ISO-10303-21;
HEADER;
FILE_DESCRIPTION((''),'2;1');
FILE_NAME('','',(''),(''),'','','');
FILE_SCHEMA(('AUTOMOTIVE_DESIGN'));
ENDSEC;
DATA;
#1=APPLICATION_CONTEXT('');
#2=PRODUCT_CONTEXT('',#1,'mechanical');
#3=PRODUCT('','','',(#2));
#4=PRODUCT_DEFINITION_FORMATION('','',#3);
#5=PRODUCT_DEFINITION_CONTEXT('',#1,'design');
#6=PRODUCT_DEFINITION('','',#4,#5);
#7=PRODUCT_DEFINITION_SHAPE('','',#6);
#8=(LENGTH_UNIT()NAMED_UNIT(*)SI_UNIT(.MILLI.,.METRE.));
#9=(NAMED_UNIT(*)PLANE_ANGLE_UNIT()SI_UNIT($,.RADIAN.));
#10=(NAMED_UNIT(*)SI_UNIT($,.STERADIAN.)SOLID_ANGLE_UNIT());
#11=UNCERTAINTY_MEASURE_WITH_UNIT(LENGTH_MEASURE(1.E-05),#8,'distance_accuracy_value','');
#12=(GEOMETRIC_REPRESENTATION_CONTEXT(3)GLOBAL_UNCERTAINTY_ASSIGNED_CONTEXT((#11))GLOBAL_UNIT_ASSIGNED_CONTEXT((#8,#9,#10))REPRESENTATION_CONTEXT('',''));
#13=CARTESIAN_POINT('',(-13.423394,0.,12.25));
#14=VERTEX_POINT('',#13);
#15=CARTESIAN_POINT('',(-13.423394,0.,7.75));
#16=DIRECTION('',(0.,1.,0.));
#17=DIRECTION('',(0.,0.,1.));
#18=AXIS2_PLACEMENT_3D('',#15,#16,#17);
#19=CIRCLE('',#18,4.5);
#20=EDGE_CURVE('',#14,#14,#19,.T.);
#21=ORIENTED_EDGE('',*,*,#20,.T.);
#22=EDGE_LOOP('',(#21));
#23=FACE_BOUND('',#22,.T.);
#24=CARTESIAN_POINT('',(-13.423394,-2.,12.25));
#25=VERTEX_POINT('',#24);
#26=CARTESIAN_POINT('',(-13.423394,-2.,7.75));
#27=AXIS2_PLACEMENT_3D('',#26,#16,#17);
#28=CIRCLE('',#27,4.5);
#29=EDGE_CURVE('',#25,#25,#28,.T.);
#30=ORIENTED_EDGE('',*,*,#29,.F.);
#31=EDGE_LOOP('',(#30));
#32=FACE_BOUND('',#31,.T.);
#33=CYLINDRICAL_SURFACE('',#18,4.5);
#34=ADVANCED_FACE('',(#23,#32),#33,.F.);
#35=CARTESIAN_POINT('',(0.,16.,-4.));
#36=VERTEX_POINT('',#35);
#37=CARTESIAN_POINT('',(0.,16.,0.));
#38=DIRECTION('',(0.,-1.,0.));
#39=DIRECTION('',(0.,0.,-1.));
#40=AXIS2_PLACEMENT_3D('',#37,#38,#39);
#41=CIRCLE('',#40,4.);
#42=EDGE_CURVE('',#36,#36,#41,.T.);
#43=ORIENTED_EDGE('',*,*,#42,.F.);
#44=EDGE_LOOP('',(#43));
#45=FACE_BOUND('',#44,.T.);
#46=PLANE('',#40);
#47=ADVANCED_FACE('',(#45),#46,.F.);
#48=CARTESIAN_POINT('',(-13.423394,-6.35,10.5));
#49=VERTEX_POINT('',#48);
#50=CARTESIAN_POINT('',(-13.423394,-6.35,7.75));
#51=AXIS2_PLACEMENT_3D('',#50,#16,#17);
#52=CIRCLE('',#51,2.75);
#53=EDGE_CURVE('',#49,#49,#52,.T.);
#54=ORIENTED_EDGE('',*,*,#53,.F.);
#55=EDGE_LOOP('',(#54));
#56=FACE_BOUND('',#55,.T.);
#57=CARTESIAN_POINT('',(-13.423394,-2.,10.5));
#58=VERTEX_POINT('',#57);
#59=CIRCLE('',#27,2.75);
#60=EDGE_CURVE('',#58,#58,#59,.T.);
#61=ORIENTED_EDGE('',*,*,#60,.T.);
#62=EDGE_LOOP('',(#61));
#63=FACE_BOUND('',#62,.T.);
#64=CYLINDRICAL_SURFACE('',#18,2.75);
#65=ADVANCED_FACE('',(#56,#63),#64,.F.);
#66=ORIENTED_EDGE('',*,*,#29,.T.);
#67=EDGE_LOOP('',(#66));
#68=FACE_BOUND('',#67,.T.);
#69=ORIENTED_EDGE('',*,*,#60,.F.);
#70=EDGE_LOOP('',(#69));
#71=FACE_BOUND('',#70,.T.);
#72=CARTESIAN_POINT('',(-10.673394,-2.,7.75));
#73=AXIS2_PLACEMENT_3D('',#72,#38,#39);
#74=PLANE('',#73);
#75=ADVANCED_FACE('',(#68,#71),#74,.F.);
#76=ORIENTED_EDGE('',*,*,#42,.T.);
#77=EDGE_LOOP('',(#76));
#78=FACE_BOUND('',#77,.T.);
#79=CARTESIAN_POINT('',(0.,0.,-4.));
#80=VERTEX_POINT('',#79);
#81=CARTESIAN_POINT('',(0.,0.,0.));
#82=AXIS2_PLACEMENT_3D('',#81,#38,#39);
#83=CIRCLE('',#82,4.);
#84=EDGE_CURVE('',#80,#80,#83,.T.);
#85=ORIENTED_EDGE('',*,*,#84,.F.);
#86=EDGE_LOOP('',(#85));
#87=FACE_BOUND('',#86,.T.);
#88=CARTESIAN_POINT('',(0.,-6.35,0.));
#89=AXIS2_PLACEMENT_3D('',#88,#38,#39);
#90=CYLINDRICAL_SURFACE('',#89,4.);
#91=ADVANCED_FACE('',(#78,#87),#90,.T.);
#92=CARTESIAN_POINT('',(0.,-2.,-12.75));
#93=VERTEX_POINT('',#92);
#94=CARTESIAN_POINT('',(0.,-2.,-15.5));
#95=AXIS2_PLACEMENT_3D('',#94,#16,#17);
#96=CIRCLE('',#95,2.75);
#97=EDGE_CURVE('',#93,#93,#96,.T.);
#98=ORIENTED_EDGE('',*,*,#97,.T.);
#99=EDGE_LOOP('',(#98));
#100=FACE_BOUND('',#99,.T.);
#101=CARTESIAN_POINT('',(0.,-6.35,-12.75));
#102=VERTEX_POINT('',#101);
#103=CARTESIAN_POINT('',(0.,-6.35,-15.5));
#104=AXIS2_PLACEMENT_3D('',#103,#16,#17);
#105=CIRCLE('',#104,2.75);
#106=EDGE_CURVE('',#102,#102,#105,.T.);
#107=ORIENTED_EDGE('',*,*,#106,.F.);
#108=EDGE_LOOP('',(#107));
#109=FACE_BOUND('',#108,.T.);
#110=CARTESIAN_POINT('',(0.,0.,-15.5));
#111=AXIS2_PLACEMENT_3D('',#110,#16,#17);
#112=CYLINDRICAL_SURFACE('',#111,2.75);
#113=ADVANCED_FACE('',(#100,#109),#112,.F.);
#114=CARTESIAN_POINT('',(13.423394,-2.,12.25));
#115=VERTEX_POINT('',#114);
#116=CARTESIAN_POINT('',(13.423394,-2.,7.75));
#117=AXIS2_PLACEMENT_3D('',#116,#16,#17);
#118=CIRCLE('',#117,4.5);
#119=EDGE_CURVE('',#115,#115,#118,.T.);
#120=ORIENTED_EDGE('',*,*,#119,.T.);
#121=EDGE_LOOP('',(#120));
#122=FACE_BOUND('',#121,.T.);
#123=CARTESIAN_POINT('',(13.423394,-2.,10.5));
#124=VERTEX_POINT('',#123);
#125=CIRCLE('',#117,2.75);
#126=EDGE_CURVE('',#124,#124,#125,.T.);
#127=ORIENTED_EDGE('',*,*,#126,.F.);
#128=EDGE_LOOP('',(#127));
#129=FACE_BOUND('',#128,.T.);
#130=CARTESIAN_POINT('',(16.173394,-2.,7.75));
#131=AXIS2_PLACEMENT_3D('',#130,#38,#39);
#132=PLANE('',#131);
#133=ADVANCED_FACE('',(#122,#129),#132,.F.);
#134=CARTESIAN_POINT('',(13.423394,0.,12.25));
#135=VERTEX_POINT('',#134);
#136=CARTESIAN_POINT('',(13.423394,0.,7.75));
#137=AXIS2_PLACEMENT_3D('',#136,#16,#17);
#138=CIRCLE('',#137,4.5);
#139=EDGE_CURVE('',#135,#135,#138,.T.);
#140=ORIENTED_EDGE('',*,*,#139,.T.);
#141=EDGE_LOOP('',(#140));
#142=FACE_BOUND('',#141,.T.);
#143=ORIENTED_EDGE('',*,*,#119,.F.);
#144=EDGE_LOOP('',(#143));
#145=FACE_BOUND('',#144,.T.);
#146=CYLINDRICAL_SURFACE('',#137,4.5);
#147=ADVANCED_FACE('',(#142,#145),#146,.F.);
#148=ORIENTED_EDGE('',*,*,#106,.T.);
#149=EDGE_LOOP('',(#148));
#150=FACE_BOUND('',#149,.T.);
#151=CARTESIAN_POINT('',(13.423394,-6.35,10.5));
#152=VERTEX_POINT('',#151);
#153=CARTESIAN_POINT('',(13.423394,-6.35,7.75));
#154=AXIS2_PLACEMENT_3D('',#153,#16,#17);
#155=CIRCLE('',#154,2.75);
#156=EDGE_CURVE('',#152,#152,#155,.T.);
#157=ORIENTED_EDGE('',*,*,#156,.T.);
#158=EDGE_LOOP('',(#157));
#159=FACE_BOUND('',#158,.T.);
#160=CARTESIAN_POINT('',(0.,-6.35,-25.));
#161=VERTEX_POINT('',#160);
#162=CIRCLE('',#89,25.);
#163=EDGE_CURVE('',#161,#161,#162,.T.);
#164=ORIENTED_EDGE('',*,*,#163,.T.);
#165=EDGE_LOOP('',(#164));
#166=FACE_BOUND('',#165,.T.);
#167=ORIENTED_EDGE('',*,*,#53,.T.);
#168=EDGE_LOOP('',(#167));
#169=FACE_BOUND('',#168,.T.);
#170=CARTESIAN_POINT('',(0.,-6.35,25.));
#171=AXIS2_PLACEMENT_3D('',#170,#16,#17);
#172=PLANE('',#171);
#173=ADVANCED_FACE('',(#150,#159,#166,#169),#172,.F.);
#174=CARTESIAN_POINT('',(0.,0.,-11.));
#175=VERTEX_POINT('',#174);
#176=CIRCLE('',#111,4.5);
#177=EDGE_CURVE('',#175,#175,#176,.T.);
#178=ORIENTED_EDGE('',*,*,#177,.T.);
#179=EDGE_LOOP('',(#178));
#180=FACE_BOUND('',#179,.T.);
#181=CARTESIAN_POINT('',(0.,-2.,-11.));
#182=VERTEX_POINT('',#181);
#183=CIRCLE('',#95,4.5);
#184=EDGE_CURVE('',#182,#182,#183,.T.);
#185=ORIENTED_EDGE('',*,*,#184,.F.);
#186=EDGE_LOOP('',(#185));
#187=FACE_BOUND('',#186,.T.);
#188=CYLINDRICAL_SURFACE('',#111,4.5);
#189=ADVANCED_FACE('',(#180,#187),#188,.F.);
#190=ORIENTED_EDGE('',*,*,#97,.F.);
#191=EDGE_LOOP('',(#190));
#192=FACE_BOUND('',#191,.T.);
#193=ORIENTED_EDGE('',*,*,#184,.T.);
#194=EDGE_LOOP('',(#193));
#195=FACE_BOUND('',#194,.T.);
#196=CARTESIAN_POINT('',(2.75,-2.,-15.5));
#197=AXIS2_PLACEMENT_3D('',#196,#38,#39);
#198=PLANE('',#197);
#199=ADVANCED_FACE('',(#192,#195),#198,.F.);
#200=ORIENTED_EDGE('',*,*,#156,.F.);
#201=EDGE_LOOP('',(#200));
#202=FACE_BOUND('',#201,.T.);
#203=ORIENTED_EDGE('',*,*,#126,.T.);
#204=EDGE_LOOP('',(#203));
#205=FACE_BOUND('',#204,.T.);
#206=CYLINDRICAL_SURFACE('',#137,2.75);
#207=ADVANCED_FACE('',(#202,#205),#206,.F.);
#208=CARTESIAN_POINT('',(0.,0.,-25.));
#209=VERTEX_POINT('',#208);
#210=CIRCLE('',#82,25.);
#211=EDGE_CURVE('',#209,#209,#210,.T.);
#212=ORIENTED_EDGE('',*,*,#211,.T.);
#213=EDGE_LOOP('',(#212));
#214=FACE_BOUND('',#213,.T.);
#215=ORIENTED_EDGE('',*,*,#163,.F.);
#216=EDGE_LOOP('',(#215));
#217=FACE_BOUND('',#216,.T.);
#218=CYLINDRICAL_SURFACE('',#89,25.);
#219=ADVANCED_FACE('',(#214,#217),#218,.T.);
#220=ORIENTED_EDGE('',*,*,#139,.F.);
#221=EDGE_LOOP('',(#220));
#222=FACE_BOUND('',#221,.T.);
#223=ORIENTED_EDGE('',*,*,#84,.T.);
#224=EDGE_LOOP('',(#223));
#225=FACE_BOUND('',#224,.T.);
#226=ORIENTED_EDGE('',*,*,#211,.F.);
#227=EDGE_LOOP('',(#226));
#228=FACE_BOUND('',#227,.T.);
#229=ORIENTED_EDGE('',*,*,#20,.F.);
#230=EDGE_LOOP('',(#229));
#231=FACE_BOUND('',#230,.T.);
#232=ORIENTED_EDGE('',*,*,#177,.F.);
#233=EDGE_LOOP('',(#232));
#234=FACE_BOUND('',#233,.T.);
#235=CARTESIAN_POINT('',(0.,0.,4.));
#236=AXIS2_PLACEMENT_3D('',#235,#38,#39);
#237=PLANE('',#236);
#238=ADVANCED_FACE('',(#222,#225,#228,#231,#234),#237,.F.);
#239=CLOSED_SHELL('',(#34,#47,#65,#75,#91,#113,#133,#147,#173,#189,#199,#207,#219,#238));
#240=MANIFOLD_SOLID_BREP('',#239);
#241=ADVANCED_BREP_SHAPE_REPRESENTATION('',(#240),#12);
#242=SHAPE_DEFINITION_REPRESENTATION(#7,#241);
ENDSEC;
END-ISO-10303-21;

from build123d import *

# Parameters (mm, degrees)
CBORE_FOR_M5_SHCS1_D           = 5.5
CBORE_FOR_M5_SHCS1_CBORE_D     = 9
CBORE_FOR_M5_SHCS1_CBORE_DEPTH = 2


with BuildPart() as part:
    # Sketch1 → Revolve1 (revolve)
    with BuildSketch(Plane(origin=(0, 0, 0), x_dir=(0, 0, -1), z_dir=(1, 0, 0)), mode=Mode.PRIVATE) as revolve1_sk:
        Polygon((0, -6.35), (0, 16), (-4, 16), (-4, 0), (-25, 0), (-25, -6.35), align=None)
    revolve(revolve1_sk.sketch.rotate(Axis((0, -6.35, 0), (0, 1, 0)), 180), axis=Axis((0, -6.35, 0), (0, 1, 0)))

    # CBORE for M5 SHCS1 (through all)
    with Locations(Plane(origin=(0, 0, 0), x_dir=(-1, 0, 0), z_dir=(0, 1, 0))):
        with Locations((0, -15.5), (13.423393759, 7.75), (-13.423393759, 7.75)):
            CounterBoreHole(CBORE_FOR_M5_SHCS1_D / 2, CBORE_FOR_M5_SHCS1_CBORE_D / 2, CBORE_FOR_M5_SHCS1_CBORE_DEPTH)


solid = part.part
